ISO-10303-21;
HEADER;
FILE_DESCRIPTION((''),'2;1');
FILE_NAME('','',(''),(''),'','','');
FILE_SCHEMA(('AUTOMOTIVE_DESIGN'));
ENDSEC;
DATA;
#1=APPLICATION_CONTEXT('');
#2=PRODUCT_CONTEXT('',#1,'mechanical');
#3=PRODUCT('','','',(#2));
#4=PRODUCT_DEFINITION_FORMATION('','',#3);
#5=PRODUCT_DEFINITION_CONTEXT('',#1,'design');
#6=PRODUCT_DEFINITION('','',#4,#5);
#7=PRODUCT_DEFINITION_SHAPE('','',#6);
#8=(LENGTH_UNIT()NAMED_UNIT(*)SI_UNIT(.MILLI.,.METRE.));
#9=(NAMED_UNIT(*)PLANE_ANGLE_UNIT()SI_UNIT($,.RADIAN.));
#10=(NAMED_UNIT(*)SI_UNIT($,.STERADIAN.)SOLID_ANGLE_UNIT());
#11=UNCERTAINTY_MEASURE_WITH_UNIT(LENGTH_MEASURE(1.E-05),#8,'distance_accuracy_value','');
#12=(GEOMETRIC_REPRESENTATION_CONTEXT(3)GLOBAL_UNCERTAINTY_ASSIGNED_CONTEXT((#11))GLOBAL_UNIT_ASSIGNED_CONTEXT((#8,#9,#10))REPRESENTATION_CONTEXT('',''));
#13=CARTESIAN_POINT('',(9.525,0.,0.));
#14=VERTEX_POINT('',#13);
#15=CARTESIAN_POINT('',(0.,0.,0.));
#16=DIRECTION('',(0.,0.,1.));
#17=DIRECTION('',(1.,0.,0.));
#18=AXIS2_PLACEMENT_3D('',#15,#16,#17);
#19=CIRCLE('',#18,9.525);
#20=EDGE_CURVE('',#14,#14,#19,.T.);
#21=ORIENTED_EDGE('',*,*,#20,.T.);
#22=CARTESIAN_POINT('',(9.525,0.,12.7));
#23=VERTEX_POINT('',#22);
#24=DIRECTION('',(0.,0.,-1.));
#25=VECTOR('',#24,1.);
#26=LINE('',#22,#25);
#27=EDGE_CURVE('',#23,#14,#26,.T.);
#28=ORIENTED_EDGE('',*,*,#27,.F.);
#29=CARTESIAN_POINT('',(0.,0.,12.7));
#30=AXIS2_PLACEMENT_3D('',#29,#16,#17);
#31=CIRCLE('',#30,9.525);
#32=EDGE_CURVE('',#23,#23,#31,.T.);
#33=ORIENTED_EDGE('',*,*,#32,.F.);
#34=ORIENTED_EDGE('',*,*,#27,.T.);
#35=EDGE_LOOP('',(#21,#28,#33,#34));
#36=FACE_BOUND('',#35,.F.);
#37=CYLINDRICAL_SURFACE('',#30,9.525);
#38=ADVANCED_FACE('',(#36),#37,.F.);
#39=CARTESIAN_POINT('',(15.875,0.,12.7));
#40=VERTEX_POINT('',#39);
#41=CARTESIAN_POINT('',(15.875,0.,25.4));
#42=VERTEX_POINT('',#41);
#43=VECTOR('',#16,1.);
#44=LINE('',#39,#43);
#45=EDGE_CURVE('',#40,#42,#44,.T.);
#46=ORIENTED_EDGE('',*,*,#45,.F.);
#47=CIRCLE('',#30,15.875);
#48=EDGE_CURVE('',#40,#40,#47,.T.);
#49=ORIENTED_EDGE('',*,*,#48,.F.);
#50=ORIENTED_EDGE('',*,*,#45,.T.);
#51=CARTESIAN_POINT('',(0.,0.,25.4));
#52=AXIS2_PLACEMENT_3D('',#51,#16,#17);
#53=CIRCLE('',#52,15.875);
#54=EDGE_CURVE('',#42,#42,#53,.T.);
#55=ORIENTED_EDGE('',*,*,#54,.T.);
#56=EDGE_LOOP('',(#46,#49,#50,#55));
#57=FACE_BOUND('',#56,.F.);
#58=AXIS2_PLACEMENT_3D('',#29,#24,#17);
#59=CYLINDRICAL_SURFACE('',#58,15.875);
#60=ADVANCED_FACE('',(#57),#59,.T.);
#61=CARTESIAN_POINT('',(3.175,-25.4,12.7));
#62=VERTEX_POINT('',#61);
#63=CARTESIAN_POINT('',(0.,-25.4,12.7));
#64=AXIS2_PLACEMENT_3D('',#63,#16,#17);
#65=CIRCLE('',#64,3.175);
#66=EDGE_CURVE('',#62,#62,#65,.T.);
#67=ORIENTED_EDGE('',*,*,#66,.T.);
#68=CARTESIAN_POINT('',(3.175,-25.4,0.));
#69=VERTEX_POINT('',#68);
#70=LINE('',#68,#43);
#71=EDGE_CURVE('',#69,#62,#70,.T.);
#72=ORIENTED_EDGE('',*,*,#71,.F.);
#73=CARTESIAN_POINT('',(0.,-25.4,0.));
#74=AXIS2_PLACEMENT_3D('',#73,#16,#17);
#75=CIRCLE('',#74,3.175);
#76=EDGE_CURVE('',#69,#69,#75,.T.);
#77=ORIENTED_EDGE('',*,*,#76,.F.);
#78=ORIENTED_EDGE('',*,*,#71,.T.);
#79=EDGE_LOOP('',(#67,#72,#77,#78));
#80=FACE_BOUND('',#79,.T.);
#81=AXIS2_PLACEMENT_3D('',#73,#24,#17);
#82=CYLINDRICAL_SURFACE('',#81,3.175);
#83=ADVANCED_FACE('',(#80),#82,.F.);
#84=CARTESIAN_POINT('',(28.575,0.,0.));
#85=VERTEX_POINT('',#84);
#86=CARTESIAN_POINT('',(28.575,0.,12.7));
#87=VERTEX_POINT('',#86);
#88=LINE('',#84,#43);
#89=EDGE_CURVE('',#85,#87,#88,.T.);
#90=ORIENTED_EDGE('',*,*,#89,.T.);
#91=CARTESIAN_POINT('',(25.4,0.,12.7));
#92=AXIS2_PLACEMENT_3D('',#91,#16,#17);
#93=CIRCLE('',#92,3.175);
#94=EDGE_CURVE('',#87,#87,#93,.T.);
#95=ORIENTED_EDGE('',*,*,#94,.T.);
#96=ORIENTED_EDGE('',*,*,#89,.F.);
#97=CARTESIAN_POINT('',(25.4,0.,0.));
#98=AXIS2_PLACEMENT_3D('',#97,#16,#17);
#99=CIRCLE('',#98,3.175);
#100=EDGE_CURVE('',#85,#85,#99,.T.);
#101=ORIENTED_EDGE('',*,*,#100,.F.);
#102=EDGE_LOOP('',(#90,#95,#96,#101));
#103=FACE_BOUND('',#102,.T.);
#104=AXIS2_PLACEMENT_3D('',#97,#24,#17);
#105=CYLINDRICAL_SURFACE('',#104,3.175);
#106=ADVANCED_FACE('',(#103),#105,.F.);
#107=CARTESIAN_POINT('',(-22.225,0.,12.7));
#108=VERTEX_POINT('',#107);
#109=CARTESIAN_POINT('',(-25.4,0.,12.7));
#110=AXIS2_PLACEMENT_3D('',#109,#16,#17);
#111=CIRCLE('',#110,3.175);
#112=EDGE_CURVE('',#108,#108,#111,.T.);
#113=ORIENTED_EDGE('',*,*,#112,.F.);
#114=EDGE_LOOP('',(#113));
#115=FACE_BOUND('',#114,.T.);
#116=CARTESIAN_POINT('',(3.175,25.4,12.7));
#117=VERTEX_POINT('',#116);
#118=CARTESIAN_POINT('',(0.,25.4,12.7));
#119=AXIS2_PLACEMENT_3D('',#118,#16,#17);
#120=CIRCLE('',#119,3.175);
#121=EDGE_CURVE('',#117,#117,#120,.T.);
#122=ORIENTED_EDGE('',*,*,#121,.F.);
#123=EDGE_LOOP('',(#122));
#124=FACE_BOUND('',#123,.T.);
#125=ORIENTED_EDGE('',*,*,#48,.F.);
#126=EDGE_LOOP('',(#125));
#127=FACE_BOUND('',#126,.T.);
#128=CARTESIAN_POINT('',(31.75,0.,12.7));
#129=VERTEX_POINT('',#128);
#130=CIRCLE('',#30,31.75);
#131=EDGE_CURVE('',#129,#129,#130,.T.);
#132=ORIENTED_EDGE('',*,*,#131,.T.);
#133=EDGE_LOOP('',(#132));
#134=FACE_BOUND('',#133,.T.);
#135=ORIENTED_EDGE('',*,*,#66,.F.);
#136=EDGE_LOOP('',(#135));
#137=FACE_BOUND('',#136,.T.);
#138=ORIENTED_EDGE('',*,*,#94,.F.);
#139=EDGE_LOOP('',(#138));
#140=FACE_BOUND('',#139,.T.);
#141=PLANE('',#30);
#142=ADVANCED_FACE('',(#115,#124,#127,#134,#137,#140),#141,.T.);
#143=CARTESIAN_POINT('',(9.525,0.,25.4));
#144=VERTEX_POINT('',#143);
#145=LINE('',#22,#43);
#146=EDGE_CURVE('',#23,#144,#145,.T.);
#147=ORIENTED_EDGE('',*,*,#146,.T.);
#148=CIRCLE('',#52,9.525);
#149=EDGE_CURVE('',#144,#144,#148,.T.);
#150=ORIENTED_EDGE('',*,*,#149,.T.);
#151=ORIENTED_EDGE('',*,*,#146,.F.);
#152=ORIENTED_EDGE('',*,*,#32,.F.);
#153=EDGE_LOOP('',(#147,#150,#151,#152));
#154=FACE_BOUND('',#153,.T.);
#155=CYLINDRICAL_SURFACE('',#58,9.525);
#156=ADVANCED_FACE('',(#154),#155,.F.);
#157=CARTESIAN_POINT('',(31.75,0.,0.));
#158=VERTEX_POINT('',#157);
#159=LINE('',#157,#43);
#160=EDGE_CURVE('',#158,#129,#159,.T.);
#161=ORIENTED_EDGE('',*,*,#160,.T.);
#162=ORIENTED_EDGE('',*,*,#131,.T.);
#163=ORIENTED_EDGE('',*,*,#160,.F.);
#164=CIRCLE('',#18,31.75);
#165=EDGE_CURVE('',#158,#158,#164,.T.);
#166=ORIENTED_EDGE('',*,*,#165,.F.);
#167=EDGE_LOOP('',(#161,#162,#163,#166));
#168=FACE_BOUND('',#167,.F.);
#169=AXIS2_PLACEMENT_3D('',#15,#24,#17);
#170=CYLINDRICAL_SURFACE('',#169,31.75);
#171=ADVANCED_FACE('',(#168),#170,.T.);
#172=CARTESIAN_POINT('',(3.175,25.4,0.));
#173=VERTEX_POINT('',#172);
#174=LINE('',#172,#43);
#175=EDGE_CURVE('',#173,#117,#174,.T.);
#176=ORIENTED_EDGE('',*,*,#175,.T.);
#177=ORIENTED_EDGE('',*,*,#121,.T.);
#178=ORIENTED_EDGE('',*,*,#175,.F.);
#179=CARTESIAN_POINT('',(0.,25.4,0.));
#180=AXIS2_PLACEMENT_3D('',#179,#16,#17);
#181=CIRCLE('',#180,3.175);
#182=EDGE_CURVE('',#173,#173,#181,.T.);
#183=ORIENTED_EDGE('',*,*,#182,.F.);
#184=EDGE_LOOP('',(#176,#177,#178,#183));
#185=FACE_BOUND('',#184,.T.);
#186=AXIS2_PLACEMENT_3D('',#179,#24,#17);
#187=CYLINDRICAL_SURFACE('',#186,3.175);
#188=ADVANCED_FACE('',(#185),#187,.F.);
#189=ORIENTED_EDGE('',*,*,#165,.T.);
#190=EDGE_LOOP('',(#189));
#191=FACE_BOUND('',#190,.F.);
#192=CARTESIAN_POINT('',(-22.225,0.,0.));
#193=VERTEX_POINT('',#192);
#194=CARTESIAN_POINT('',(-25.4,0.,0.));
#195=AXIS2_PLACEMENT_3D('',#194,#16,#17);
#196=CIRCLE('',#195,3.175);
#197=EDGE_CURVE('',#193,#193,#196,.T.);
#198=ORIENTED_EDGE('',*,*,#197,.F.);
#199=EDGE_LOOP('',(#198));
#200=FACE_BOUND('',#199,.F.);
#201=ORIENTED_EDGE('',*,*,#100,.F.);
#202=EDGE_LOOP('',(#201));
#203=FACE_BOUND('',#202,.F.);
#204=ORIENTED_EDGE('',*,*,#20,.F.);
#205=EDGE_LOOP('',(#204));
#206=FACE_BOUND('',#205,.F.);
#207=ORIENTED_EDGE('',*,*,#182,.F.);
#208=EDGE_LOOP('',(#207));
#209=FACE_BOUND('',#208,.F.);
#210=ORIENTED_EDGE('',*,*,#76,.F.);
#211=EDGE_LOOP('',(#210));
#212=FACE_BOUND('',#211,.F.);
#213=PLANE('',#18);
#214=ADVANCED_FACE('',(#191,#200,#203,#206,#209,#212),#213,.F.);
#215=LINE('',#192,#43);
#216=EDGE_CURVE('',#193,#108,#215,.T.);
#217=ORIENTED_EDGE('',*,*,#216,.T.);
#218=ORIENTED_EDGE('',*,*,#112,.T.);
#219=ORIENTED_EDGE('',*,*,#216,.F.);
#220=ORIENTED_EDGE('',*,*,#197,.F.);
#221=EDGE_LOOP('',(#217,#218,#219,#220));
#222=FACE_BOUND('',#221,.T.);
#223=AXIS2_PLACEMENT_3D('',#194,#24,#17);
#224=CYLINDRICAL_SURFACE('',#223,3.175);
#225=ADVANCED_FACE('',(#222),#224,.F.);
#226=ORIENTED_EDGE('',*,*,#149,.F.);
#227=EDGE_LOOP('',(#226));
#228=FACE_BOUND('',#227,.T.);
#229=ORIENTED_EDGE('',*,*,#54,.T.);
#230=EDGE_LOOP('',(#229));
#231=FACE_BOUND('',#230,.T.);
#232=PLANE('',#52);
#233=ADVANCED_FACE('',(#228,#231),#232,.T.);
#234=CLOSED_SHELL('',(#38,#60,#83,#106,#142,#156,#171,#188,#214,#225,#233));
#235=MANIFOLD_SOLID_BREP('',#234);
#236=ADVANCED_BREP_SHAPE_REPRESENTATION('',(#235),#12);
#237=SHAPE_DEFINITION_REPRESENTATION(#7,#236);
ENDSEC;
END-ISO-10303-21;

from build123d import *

# Parameters (mm, degrees)
F0_R      = 31.75
F0_R_2    = 3.175
F1_DEPTH  = 12.7
F2_R      = 15.875
F2_R_2    = 9.525
F3_DEPTH  = 12.7
F3_FACE_R = 9.525
F4_DEPTH  = 25.4


with BuildPart() as f1:
    # F0 (on Top) → F1 (new body)
    with BuildSketch(Plane.XY):
        Circle(F0_R)
        with Locations((0, -25.4)):
            Circle(F0_R_2, mode=Mode.SUBTRACT)
        with Locations((-25.4, 0)):
            Circle(F0_R_2, mode=Mode.SUBTRACT)
        with Locations((25.4, 0)):
            Circle(F0_R_2, mode=Mode.SUBTRACT)
        with Locations((0, 25.4)):
            Circle(F0_R_2, mode=Mode.SUBTRACT)
    extrude(amount=F1_DEPTH)

    # F2 (on face) → F3 (join)
    with BuildSketch(Plane.XY.offset(12.7)):
        Circle(F2_R)
        Circle(F2_R_2, mode=Mode.SUBTRACT)
    extrude(amount=F3_DEPTH)

    # F3_face (on face) → F4 (cut)
    with BuildSketch(Plane.XY.offset(12.7)):
        Circle(F3_FACE_R)
    extrude(amount=-F4_DEPTH, mode=Mode.SUBTRACT)


solid = f1.part
